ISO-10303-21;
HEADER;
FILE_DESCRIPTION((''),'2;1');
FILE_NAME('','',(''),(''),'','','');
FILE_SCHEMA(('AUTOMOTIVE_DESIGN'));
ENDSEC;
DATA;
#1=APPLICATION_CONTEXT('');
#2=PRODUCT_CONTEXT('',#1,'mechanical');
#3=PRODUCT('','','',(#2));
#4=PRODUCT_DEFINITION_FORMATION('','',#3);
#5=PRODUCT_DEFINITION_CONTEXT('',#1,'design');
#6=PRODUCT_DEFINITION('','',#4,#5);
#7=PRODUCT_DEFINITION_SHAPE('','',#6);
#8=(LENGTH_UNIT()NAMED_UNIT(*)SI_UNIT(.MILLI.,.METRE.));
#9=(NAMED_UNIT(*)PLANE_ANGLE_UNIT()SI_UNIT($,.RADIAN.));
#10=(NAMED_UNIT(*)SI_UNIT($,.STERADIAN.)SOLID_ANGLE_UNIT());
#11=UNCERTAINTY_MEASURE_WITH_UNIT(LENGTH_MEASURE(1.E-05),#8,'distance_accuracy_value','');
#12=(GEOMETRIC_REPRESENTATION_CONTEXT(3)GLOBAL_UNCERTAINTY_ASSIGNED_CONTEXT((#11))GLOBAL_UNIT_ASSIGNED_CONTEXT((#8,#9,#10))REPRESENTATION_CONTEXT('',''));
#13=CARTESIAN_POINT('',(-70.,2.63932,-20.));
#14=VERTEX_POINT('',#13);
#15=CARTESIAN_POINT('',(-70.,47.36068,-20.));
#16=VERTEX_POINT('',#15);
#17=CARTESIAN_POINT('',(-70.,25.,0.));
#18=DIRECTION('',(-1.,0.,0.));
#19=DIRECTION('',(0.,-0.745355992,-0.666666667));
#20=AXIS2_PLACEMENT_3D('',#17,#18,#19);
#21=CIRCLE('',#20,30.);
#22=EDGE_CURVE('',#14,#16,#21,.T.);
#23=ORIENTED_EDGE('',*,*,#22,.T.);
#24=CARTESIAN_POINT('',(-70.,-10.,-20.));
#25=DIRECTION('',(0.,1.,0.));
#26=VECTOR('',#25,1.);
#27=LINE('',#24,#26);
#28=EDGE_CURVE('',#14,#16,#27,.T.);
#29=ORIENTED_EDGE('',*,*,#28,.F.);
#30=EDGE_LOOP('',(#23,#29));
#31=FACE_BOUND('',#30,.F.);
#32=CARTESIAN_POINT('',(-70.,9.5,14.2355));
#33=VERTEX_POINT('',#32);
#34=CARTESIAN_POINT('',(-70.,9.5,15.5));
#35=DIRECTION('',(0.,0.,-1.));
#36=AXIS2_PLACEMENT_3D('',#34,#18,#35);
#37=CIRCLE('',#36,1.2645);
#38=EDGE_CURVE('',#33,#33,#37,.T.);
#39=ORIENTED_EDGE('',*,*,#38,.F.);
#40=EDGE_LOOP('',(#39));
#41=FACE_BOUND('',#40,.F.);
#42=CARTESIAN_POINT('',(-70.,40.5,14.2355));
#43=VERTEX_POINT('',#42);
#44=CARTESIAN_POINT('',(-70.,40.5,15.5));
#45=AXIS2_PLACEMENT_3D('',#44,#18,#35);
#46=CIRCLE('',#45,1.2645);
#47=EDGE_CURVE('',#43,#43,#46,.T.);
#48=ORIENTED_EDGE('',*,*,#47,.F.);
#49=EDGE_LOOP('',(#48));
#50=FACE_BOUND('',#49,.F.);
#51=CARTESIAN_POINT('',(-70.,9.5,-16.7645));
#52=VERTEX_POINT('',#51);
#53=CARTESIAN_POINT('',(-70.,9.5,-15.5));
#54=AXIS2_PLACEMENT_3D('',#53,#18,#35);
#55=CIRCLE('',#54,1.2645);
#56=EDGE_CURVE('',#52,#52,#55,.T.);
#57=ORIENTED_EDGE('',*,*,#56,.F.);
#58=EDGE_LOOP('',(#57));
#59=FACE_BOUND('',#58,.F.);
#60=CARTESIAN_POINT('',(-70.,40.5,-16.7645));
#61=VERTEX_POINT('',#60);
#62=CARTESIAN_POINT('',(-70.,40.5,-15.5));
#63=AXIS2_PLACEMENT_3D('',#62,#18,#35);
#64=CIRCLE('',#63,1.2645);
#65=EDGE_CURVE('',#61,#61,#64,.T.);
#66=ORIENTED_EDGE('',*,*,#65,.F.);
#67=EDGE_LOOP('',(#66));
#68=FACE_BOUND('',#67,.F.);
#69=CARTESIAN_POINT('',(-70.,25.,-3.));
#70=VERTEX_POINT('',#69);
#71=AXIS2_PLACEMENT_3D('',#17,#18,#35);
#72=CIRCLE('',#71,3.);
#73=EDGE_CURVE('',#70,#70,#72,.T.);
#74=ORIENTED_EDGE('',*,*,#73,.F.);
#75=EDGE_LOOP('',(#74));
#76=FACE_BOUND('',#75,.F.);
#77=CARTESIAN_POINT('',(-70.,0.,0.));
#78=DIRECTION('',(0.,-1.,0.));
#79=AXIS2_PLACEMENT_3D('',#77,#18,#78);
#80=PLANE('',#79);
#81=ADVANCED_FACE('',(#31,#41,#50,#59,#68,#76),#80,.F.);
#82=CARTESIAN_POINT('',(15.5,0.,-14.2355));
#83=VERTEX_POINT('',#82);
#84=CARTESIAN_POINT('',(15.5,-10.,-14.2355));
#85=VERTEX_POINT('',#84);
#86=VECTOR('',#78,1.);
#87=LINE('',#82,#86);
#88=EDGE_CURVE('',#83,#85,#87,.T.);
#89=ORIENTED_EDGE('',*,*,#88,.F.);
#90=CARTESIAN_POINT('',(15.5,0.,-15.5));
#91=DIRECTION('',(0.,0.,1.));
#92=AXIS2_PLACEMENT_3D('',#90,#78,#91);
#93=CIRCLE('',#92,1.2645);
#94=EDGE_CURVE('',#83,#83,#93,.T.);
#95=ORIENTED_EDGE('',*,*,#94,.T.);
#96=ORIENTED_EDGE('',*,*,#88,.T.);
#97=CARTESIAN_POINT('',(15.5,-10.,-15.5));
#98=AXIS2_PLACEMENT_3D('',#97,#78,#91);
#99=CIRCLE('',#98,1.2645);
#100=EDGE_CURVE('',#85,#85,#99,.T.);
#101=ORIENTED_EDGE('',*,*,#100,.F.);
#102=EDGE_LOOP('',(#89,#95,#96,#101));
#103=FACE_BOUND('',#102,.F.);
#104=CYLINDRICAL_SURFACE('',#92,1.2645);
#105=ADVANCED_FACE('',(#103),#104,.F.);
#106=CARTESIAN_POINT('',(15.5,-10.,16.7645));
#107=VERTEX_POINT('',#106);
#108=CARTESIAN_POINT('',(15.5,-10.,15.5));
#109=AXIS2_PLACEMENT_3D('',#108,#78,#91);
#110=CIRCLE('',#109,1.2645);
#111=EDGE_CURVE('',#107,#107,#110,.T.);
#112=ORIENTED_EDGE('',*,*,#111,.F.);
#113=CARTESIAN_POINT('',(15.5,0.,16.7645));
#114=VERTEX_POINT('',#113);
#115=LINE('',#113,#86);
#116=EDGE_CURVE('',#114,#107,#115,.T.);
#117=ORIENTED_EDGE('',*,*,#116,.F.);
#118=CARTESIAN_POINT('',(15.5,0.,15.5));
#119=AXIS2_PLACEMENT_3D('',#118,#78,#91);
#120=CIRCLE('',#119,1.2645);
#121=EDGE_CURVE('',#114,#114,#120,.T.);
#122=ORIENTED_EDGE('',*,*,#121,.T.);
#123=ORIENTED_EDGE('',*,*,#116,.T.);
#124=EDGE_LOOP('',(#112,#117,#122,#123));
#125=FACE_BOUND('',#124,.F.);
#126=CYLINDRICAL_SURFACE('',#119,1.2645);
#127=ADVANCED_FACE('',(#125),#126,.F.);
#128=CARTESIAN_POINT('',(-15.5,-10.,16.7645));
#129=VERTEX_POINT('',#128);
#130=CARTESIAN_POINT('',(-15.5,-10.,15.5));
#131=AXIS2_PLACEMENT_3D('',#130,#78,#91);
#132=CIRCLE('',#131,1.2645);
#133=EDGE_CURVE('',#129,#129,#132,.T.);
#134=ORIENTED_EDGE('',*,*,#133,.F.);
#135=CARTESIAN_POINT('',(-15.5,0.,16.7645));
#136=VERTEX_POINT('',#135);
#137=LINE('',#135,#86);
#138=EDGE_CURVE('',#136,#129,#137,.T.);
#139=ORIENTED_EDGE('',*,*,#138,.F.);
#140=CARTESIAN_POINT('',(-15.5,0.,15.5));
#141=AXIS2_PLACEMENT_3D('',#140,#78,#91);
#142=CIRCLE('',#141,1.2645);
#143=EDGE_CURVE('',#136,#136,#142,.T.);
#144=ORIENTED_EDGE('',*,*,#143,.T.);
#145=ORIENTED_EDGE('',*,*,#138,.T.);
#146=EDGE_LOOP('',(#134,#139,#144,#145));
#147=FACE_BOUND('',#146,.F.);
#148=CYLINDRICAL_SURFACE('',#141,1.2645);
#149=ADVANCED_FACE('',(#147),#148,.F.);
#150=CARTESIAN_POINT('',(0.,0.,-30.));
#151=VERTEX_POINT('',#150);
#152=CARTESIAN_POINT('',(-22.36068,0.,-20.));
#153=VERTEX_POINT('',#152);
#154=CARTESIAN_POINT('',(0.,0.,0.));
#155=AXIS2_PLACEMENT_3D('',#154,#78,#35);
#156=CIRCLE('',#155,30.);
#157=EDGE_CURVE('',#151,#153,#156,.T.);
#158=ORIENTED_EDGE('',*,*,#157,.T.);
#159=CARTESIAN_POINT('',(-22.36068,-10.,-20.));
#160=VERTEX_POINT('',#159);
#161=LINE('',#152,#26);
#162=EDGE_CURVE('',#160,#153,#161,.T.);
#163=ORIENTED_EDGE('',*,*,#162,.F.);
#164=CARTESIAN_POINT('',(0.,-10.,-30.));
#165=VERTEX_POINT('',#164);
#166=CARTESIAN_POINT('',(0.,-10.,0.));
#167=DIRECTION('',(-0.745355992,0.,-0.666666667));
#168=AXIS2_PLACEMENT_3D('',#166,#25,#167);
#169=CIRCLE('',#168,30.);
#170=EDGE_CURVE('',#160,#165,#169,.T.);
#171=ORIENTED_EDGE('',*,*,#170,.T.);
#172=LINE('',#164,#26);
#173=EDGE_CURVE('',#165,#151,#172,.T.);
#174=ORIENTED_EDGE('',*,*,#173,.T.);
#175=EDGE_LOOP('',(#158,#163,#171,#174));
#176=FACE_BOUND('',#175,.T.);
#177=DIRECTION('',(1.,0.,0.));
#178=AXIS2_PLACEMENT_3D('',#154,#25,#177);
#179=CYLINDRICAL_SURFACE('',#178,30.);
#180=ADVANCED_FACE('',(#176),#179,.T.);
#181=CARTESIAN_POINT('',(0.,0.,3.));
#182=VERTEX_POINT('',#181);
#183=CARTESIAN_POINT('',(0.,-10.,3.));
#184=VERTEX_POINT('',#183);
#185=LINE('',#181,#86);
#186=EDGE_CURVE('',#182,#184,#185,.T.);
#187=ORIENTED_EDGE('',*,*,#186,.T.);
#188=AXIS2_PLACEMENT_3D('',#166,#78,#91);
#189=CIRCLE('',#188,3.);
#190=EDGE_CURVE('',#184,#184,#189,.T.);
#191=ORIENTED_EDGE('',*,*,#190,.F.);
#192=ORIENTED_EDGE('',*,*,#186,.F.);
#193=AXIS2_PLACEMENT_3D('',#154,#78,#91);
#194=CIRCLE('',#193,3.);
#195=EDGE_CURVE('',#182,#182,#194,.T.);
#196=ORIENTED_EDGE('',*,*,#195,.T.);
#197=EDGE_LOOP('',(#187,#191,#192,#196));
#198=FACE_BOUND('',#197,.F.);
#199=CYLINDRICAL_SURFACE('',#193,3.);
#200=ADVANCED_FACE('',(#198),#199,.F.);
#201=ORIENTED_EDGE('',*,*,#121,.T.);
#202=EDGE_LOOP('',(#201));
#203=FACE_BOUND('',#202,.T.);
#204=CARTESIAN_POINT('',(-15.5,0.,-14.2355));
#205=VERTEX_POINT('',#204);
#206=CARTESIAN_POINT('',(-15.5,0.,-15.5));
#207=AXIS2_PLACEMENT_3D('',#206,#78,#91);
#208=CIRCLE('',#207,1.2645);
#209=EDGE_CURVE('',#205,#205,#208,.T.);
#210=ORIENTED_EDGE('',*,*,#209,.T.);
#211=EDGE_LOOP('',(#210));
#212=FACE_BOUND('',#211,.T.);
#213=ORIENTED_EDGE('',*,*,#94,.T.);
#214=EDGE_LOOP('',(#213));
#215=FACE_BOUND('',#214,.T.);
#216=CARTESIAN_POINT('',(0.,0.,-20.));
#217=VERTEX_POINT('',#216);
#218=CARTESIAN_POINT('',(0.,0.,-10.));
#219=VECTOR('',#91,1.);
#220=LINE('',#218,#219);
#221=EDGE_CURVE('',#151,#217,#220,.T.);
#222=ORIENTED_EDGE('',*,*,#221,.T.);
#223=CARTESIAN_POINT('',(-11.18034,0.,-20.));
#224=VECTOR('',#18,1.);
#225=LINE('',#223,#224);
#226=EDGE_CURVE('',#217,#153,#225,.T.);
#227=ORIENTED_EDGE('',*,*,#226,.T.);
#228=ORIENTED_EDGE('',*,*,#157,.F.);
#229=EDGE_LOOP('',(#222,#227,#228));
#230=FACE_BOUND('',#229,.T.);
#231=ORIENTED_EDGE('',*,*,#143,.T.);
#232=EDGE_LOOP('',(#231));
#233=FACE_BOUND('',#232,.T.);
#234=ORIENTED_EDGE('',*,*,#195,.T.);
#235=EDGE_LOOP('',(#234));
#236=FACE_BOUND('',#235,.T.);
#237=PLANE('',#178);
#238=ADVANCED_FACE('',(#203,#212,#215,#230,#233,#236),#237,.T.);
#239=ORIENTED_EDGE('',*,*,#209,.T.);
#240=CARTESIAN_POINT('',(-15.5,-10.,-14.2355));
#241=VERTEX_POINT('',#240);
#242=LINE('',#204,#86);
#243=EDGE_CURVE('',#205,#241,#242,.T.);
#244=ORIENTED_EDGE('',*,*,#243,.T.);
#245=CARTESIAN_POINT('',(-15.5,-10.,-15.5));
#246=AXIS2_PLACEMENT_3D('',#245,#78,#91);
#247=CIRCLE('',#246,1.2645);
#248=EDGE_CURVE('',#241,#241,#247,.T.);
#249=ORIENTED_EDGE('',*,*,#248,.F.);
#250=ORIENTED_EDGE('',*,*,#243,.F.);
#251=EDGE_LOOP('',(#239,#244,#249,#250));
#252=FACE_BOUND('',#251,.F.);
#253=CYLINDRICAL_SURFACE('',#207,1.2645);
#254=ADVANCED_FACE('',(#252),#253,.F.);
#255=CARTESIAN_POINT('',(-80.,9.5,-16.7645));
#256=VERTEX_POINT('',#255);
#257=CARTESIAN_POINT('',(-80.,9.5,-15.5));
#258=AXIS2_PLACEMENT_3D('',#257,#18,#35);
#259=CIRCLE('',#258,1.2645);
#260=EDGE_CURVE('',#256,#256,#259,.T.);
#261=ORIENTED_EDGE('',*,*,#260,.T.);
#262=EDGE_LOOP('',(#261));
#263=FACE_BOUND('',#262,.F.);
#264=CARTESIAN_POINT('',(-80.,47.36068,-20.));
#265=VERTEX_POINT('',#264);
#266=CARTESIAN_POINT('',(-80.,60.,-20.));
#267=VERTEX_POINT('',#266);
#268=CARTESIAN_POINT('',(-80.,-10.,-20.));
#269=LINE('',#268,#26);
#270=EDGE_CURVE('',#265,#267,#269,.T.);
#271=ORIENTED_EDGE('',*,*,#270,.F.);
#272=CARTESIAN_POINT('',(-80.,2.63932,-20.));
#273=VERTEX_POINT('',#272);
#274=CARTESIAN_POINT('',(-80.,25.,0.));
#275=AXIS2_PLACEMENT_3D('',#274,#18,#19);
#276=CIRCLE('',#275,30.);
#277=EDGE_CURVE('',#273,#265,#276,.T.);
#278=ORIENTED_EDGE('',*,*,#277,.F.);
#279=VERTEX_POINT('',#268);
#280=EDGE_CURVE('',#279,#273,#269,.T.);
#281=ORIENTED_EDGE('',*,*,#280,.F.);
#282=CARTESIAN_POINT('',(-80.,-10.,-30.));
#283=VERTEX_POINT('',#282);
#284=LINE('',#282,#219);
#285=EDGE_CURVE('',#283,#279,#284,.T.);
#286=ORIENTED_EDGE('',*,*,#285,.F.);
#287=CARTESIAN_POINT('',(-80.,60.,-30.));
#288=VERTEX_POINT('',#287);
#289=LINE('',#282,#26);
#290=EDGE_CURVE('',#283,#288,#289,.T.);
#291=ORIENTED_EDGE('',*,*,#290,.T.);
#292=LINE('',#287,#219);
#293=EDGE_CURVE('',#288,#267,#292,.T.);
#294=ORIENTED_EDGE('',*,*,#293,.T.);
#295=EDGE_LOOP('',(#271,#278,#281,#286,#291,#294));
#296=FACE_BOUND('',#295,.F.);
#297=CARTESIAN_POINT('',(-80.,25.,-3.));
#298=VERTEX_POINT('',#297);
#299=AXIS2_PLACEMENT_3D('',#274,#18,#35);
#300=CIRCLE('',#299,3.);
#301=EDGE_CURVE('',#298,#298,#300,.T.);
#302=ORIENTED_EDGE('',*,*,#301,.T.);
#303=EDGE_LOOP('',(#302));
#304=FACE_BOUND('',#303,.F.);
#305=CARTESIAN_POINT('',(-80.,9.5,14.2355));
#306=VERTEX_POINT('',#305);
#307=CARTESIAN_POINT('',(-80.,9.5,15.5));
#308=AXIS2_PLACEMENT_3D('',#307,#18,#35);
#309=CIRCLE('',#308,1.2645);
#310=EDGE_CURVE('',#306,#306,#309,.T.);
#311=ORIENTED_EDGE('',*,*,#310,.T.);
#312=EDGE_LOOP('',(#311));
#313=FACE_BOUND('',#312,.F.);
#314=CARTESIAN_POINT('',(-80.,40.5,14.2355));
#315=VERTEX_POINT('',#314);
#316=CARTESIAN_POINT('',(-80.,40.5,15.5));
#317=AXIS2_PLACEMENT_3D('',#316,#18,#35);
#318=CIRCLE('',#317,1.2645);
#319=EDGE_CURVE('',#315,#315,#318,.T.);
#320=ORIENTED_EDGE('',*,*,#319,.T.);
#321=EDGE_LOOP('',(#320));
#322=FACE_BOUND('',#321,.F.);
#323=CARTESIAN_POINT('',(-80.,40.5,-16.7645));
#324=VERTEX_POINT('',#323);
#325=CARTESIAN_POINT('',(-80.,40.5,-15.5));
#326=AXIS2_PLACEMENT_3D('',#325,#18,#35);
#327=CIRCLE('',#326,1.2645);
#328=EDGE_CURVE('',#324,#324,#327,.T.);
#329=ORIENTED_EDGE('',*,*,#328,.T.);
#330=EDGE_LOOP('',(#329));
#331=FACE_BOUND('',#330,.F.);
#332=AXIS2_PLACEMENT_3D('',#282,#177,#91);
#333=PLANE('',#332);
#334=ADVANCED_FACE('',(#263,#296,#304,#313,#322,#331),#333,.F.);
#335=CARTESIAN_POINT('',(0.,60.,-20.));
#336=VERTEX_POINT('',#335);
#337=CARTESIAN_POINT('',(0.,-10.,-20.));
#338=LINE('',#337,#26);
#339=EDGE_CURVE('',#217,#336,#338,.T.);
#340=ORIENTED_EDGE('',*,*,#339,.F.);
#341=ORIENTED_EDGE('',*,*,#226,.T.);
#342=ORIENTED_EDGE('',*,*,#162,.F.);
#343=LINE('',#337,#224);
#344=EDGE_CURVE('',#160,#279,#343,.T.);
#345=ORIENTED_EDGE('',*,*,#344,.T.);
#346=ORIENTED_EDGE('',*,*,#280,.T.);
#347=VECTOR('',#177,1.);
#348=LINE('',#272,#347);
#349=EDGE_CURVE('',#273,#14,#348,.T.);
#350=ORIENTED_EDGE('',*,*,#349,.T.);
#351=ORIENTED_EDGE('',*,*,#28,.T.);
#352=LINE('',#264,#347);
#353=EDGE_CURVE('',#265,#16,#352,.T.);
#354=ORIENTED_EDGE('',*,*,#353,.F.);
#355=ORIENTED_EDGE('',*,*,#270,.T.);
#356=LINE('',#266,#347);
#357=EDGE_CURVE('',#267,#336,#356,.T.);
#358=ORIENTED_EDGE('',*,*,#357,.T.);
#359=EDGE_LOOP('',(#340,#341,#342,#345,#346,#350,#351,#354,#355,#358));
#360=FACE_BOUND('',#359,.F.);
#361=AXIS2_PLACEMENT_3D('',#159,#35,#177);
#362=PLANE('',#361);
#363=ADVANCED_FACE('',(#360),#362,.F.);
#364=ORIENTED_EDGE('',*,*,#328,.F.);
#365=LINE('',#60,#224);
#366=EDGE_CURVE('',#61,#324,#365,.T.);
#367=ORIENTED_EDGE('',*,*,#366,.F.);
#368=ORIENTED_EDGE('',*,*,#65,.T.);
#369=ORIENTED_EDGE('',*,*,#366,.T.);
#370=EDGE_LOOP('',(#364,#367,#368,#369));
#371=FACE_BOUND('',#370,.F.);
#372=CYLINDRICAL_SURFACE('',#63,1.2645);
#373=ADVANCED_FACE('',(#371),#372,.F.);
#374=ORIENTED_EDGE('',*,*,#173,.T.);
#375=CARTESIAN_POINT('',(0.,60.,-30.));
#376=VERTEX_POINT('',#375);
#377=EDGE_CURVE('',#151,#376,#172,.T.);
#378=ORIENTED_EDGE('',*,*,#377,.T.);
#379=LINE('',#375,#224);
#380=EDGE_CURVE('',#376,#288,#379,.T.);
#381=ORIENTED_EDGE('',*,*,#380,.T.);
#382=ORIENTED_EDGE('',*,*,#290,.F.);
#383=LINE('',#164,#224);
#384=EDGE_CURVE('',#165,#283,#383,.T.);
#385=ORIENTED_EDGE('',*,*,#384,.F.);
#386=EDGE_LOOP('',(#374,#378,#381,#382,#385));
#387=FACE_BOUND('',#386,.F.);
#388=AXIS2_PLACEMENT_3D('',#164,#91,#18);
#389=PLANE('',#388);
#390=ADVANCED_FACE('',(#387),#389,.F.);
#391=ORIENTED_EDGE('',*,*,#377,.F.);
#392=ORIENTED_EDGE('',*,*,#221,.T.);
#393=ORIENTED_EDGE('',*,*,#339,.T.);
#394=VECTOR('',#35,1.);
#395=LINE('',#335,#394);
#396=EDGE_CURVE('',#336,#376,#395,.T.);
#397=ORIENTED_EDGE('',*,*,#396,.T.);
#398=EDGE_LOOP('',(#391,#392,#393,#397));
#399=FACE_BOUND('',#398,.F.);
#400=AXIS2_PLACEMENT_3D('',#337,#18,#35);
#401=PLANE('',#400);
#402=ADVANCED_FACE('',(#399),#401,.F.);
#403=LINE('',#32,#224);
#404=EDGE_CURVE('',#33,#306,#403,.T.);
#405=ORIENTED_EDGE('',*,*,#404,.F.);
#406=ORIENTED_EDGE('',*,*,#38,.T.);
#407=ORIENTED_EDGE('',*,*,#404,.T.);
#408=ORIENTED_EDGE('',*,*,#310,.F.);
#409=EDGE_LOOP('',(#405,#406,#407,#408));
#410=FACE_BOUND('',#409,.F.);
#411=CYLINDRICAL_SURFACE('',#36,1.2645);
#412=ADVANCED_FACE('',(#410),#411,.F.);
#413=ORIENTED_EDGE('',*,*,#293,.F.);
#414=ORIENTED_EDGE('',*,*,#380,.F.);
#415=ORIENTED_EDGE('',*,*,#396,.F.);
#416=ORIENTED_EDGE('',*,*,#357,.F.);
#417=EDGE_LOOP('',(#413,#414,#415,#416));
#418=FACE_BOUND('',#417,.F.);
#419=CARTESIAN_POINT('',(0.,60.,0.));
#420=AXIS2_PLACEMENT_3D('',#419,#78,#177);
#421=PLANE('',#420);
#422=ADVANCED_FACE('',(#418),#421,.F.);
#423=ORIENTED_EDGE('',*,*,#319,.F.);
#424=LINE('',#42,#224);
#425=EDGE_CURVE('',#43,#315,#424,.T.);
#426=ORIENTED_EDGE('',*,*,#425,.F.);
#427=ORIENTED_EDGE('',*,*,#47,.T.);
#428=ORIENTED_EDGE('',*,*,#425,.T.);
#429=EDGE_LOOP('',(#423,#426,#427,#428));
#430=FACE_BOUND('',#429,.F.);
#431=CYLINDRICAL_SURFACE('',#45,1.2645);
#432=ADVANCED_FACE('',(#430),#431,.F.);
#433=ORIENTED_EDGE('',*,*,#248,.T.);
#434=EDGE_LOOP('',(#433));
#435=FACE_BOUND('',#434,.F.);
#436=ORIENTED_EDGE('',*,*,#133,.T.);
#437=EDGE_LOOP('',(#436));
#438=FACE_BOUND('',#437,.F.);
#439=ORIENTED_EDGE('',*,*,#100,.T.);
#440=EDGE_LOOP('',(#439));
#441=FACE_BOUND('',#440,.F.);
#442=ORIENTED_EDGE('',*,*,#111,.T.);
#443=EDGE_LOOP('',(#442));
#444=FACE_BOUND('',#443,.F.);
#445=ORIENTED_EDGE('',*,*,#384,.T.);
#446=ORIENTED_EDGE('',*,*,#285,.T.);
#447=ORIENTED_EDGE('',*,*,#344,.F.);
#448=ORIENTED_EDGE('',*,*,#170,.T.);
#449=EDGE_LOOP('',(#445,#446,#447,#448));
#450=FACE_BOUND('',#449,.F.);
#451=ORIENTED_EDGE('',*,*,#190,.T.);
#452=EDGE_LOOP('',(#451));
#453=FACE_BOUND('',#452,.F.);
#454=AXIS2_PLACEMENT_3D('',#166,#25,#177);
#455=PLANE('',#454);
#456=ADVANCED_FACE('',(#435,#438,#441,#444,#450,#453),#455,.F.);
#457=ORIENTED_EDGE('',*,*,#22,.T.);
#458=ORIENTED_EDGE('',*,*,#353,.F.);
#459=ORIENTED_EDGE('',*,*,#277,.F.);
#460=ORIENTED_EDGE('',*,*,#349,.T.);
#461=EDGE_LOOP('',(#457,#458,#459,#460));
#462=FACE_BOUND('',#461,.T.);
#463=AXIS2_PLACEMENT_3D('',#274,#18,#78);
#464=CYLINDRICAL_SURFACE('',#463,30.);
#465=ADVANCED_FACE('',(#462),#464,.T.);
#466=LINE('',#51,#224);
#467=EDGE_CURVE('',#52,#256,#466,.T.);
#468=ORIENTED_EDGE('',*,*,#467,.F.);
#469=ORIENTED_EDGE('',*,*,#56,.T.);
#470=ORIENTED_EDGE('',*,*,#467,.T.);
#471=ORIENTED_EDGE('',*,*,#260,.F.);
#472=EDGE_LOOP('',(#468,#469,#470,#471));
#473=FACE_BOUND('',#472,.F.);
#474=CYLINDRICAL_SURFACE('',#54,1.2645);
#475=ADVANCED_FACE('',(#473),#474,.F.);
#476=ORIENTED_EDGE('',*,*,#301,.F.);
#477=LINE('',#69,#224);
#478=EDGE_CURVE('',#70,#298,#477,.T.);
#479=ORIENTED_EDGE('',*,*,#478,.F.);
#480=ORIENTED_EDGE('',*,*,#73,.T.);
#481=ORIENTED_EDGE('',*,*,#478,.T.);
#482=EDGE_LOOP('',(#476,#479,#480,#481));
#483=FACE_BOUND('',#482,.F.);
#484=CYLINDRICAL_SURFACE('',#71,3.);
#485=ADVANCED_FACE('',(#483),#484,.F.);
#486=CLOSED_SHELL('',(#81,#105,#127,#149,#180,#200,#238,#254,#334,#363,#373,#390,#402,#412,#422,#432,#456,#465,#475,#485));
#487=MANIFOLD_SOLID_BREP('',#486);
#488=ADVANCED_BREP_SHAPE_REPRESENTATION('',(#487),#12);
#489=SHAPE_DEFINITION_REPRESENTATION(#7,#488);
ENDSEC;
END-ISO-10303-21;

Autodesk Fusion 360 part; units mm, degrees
sketch "Sketch1" plane through (0, 0, 0) normal (0, 1, 0) x (1, 0, 0)
  circle A0 centre (0, 0) radius 30
  dimension "d1" = 60
extrude "Extrude1" add sketch "Sketch1" against normal blind 10
sketch "Sketch2" plane through (0, -10, 0) normal (0, -1, 0) x (1, 0, 0)
  circle A0 centre (0, 0) radius 30
  line L0 (0, -30) -> (-80, -30)
  line L1 (-80, -30) -> (-80, -20)
  line L2 (-80, -20) -> (0, -20)
  line L3 (0, -20) -> (0, -30)
  dimension "d4" = 80
  dimension "d5" = 10
extrude "Extrude2" add sketch "Sketch2" against normal blind 70 contours A0 L0 L1 L2 | A0 L2 L3 picked at (-1.3972, -26.5686)
sketch "Sketch3" plane through (-80, 0, 0) normal (-1, 0, 0) x (0, -1, 0)
  line L0 (10, -30) -> (10, -20)
  line L1 (10, -20) -> (-60, -20)
  line L2 (-60, -20) -> (-60, -30)
  line L3 (-60, -30) -> (10, -30)
  circle A0 centre (-25, 0) radius 30
  line L4 (-25, 0) -> (-25, -30) construction
  dimension "d8" = 60
extrude "Extrude3" add sketch "Sketch3" against normal blind 10 contours L1 A0 picked at (-17.2718, 11.3343)
sketch "Sketch4" plane through (0, 0, 0) normal (0, 1, 0) x (-1, 0, 0)
  line L0 (0, -30) -> (0, -20)
  line L1 (0, -20) -> (22.3607, -20)
  arc A0 (22.3607, -20) -> (0, -30) centre (0, 0) ccw
  line L2 (-15.5, 15.5) -> (15.5, 15.5)
  line L3 (15.5, 15.5) -> (15.5, -15.5)
  line L4 (15.5, -15.5) -> (-15.5, -15.5)
  line L5 (-15.5, -15.5) -> (-15.5, 15.5)
  line L6 (-15.5, 15.5) -> (15.5, -15.5) construction
  line L7 (15.5, 15.5) -> (-15.5, -15.5) construction
  dimension "d11" = 31
  dimension "d12" = 31
hole "Hole1" at (15.5, 0, 15.5) at (-15.5, 0, 15.5) at (15.5, 0, -15.5) at (-15.5, 0, -15.5) direction (0, -1, 0) diameter 2.529 depth 10 tip angle 118
hole "Hole2" at (0, 0, 0) direction (0, -1, 0) diameter 6 depth 10 tip angle 118
sketch "Sketch5" plane through (-70, 0, 0) normal (1, 0, 0) x (0, 1, 0)
  arc A0 (47.3607, -20) -> (2.6393, -20) centre (25, 0) ccw
  line L0 (2.6393, -20) -> (47.3607, -20)
  line L1 (9.5, 15.5) -> (40.5, 15.5)
  line L2 (40.5, 15.5) -> (40.5, -15.5)
  line L3 (40.5, -15.5) -> (9.5, -15.5)
  line L4 (9.5, -15.5) -> (9.5, 15.5)
  line L5 (9.5, 15.5) -> (40.5, -15.5) construction
  line L6 (40.5, 15.5) -> (9.5, -15.5) construction
  point P0 (25, 0)
  dimension "d21" = 31
  dimension "d22" = 31
hole "Hole3" at (-70, 9.5, 15.5) at (-70, 40.5, 15.5) at (-70, 9.5, -15.5) at (-70, 40.5, -15.5) direction (-1, 0, 0) diameter 2.529 depth 10 tip angle 118
hole "Hole4" at (-70, 25, 0) direction (-1, 0, 0) diameter 6 depth 10 tip angle 118
